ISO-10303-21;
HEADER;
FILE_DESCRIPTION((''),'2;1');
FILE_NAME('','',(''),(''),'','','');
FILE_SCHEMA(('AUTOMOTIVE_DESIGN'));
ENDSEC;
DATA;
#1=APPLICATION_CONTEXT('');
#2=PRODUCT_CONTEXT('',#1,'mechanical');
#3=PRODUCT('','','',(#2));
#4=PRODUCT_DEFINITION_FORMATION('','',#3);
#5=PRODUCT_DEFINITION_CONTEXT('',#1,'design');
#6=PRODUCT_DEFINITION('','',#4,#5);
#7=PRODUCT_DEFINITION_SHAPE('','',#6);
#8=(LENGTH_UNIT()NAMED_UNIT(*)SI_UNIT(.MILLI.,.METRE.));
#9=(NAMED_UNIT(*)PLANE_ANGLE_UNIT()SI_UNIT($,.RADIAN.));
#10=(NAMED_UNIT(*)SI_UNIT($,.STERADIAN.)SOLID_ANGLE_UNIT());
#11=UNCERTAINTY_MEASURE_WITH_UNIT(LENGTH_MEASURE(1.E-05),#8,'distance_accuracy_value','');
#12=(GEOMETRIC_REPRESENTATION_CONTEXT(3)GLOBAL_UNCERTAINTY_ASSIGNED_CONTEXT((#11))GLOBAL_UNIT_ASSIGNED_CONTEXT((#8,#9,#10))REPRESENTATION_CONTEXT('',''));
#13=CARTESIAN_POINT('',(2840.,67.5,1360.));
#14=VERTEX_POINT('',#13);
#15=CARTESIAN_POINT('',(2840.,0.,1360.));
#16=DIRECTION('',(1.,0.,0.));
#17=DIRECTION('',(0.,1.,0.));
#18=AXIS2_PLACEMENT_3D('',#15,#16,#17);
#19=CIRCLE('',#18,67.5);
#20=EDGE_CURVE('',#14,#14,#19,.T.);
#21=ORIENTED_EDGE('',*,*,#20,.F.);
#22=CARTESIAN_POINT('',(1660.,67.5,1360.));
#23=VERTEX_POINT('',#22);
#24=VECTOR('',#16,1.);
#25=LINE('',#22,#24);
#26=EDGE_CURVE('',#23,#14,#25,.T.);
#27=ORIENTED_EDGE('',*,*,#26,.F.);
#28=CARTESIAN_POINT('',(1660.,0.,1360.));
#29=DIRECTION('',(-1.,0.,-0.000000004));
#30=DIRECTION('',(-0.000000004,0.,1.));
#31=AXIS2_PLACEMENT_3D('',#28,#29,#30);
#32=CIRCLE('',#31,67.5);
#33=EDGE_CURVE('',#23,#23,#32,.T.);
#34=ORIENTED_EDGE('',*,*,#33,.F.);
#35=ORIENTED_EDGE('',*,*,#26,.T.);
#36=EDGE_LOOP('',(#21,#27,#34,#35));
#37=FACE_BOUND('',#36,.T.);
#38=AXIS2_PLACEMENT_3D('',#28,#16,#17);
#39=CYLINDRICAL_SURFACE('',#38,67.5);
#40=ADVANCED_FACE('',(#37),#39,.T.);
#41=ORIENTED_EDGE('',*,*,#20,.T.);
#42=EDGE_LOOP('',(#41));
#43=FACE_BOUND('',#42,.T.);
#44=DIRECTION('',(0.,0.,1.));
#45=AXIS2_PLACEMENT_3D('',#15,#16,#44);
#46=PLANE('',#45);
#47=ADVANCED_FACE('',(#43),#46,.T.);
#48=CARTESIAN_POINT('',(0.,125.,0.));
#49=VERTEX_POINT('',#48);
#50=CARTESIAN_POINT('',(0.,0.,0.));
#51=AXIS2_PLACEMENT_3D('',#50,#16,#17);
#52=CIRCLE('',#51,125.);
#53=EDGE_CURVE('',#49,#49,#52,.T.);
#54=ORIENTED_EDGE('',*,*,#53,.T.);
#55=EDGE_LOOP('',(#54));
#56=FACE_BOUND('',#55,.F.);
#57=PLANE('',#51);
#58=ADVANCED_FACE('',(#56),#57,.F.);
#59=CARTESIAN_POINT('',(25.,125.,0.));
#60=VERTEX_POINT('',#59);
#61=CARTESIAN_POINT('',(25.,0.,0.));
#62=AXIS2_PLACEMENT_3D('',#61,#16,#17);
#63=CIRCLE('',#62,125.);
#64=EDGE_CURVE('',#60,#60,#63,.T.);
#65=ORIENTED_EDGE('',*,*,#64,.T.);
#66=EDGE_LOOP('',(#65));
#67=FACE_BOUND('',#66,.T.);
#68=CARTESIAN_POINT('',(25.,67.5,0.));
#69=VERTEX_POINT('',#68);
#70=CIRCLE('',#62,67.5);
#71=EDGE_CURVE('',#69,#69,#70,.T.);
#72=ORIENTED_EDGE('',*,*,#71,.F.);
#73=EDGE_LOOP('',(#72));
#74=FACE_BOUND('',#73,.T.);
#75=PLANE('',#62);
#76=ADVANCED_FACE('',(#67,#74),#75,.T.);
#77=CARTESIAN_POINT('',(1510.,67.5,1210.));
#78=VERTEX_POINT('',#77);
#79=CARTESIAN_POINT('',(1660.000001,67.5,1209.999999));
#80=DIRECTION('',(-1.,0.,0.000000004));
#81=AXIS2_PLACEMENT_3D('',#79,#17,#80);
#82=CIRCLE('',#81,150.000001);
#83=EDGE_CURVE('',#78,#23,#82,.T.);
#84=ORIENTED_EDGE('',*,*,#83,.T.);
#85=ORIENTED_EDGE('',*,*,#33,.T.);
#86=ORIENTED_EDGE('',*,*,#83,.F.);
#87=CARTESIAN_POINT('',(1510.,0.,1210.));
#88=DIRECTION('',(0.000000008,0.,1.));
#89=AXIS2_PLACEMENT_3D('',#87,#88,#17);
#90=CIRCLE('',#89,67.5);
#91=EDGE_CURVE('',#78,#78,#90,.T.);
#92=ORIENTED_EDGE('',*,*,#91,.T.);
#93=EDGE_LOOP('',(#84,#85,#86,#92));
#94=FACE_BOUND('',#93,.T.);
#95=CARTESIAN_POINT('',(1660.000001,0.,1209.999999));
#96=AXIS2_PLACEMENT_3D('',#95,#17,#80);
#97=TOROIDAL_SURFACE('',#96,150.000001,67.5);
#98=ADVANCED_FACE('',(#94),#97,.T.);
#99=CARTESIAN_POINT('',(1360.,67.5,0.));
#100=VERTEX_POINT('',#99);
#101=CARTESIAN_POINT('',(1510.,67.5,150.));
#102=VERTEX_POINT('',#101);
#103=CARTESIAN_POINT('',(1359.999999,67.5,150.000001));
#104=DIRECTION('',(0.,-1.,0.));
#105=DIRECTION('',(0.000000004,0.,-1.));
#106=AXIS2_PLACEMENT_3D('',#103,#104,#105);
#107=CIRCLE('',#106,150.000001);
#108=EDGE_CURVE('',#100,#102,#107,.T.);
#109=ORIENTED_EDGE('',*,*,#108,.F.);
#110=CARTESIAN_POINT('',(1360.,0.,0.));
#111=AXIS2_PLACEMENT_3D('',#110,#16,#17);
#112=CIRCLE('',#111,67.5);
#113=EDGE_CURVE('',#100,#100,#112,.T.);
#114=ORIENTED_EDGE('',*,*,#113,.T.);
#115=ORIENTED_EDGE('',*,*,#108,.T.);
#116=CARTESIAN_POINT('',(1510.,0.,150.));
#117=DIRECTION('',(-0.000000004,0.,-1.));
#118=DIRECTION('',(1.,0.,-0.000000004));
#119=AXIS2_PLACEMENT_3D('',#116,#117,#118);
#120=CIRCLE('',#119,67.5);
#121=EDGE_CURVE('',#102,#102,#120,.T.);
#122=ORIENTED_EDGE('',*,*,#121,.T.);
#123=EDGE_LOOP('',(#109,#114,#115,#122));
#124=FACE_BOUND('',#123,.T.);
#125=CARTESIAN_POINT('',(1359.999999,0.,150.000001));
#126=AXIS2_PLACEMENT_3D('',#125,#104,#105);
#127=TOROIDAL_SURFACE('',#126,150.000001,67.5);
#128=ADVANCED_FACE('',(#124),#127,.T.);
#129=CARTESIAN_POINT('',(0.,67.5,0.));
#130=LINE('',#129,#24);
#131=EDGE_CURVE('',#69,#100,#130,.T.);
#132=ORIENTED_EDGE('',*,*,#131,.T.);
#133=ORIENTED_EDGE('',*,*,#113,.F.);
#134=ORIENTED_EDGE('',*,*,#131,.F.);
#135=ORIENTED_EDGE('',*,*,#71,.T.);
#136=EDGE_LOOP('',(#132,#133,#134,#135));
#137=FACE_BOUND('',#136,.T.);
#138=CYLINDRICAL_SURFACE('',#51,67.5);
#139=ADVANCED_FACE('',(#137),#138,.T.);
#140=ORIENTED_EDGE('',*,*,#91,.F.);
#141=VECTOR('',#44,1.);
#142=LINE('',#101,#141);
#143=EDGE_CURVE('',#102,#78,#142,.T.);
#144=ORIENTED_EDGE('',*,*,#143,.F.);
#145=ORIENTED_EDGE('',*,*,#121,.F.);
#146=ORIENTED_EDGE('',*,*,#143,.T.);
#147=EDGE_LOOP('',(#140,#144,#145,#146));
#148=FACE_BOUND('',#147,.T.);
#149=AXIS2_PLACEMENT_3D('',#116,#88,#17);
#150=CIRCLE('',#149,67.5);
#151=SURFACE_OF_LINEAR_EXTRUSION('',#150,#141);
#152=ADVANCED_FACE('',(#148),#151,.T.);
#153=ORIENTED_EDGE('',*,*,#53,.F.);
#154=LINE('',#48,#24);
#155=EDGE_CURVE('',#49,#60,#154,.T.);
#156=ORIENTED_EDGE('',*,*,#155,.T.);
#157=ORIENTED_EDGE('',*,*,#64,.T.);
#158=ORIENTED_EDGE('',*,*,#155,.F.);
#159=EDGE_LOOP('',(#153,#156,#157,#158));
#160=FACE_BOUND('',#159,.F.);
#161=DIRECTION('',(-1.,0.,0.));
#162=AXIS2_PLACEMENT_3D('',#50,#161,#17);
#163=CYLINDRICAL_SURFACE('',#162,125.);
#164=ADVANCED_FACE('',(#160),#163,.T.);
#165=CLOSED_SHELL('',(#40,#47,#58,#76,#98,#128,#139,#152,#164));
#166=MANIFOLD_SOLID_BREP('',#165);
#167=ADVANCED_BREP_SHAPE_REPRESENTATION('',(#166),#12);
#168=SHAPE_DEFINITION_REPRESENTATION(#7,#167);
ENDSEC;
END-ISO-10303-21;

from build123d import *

# Parameters (mm, degrees)
F0_R     = 67.5
F0_R_2   = 125
F3_DEPTH = 25


with BuildPart() as f2:
    # F2: sweep along a path in F1
    with BuildLine(Plane.XZ) as f2_path:
        Line((0, 0), (1360, 0))
        ThreePointArc((1360, 0), (1466.066017, 43.933983), (1510, 150))
        Line((1510, 150), (1510, 1210))
        ThreePointArc((1510, 1210), (1553.933983, 1316.066017), (1660, 1360))
        Line((1660, 1360), (2840, 1360))
    # F0 (on Right) → F2 (sweep)
    with BuildSketch(Plane.YZ):
        Circle(F0_R)
    sweep(path=f2_path.line)

    # F0 (on Right) → F3 (join)
    with BuildSketch(Plane.YZ):
        Circle(F0_R_2)
        Circle(F0_R, mode=Mode.SUBTRACT)
    extrude(amount=F3_DEPTH)


solid = f2.part
